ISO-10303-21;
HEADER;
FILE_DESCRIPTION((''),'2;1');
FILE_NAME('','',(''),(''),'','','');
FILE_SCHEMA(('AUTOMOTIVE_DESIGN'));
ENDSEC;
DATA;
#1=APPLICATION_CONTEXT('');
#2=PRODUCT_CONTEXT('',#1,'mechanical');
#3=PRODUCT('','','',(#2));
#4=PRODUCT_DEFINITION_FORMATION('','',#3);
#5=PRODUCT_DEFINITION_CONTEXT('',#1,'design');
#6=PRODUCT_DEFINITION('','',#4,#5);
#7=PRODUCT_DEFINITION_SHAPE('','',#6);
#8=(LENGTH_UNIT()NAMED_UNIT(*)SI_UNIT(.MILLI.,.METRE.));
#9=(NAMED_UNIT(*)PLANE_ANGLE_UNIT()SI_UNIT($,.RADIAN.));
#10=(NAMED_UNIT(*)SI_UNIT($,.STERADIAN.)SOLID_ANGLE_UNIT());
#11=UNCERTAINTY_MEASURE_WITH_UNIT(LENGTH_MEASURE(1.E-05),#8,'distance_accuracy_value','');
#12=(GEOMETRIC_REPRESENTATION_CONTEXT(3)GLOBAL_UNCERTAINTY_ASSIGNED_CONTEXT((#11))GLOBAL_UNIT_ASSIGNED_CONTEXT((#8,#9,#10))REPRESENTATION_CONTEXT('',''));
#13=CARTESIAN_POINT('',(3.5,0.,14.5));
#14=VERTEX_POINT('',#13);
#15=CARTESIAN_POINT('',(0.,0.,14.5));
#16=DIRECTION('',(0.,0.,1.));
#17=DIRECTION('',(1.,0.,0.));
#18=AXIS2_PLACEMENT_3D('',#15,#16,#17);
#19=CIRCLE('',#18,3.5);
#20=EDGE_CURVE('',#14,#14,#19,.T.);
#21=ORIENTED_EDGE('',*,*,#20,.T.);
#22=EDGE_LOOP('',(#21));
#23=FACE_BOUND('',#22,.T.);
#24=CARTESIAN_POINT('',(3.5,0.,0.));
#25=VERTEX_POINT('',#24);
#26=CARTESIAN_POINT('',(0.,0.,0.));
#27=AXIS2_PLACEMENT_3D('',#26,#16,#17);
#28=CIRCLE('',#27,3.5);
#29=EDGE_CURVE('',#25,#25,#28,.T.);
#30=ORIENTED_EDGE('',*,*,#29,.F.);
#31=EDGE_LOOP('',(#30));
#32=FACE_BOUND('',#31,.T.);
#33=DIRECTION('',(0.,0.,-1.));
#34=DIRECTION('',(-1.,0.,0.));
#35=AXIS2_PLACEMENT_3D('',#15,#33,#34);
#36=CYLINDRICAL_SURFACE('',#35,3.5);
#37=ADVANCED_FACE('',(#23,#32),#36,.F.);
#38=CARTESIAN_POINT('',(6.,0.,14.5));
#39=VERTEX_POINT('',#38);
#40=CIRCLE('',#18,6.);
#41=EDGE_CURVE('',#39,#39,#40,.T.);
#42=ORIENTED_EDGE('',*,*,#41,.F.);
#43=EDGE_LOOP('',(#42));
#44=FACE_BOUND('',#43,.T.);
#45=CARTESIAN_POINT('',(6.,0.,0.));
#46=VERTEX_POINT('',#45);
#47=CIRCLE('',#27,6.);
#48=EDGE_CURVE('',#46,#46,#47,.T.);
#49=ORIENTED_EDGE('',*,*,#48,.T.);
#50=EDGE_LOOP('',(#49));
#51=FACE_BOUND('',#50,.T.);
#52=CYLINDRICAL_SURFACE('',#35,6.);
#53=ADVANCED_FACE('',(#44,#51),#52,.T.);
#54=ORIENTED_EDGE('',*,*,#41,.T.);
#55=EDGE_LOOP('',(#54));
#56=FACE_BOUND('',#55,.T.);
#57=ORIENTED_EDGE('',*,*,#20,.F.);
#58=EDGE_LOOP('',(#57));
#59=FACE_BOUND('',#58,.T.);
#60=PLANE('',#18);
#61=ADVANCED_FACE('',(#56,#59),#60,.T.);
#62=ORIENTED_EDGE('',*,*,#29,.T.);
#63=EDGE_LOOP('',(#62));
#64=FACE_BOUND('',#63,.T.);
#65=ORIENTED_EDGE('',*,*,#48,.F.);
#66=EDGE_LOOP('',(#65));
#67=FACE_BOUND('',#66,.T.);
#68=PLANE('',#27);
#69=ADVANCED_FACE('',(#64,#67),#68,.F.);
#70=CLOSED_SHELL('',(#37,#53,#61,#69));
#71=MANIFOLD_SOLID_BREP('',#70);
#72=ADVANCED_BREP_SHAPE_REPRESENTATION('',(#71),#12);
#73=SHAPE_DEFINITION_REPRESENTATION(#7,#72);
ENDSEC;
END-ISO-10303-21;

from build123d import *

# Parameters (mm, degrees)
SKETCH_1_R      = 6
SKETCH_1_R_2    = 3.5
EXTRUDE_1_DEPTH = 14.5


with BuildPart() as part:
    # 草图1 → 凸台-拉伸1 (new body)
    with BuildSketch(Plane.XY):
        Circle(SKETCH_1_R)
        Circle(SKETCH_1_R_2, mode=Mode.SUBTRACT)
    extrude(amount=EXTRUDE_1_DEPTH)


solid = part.part
